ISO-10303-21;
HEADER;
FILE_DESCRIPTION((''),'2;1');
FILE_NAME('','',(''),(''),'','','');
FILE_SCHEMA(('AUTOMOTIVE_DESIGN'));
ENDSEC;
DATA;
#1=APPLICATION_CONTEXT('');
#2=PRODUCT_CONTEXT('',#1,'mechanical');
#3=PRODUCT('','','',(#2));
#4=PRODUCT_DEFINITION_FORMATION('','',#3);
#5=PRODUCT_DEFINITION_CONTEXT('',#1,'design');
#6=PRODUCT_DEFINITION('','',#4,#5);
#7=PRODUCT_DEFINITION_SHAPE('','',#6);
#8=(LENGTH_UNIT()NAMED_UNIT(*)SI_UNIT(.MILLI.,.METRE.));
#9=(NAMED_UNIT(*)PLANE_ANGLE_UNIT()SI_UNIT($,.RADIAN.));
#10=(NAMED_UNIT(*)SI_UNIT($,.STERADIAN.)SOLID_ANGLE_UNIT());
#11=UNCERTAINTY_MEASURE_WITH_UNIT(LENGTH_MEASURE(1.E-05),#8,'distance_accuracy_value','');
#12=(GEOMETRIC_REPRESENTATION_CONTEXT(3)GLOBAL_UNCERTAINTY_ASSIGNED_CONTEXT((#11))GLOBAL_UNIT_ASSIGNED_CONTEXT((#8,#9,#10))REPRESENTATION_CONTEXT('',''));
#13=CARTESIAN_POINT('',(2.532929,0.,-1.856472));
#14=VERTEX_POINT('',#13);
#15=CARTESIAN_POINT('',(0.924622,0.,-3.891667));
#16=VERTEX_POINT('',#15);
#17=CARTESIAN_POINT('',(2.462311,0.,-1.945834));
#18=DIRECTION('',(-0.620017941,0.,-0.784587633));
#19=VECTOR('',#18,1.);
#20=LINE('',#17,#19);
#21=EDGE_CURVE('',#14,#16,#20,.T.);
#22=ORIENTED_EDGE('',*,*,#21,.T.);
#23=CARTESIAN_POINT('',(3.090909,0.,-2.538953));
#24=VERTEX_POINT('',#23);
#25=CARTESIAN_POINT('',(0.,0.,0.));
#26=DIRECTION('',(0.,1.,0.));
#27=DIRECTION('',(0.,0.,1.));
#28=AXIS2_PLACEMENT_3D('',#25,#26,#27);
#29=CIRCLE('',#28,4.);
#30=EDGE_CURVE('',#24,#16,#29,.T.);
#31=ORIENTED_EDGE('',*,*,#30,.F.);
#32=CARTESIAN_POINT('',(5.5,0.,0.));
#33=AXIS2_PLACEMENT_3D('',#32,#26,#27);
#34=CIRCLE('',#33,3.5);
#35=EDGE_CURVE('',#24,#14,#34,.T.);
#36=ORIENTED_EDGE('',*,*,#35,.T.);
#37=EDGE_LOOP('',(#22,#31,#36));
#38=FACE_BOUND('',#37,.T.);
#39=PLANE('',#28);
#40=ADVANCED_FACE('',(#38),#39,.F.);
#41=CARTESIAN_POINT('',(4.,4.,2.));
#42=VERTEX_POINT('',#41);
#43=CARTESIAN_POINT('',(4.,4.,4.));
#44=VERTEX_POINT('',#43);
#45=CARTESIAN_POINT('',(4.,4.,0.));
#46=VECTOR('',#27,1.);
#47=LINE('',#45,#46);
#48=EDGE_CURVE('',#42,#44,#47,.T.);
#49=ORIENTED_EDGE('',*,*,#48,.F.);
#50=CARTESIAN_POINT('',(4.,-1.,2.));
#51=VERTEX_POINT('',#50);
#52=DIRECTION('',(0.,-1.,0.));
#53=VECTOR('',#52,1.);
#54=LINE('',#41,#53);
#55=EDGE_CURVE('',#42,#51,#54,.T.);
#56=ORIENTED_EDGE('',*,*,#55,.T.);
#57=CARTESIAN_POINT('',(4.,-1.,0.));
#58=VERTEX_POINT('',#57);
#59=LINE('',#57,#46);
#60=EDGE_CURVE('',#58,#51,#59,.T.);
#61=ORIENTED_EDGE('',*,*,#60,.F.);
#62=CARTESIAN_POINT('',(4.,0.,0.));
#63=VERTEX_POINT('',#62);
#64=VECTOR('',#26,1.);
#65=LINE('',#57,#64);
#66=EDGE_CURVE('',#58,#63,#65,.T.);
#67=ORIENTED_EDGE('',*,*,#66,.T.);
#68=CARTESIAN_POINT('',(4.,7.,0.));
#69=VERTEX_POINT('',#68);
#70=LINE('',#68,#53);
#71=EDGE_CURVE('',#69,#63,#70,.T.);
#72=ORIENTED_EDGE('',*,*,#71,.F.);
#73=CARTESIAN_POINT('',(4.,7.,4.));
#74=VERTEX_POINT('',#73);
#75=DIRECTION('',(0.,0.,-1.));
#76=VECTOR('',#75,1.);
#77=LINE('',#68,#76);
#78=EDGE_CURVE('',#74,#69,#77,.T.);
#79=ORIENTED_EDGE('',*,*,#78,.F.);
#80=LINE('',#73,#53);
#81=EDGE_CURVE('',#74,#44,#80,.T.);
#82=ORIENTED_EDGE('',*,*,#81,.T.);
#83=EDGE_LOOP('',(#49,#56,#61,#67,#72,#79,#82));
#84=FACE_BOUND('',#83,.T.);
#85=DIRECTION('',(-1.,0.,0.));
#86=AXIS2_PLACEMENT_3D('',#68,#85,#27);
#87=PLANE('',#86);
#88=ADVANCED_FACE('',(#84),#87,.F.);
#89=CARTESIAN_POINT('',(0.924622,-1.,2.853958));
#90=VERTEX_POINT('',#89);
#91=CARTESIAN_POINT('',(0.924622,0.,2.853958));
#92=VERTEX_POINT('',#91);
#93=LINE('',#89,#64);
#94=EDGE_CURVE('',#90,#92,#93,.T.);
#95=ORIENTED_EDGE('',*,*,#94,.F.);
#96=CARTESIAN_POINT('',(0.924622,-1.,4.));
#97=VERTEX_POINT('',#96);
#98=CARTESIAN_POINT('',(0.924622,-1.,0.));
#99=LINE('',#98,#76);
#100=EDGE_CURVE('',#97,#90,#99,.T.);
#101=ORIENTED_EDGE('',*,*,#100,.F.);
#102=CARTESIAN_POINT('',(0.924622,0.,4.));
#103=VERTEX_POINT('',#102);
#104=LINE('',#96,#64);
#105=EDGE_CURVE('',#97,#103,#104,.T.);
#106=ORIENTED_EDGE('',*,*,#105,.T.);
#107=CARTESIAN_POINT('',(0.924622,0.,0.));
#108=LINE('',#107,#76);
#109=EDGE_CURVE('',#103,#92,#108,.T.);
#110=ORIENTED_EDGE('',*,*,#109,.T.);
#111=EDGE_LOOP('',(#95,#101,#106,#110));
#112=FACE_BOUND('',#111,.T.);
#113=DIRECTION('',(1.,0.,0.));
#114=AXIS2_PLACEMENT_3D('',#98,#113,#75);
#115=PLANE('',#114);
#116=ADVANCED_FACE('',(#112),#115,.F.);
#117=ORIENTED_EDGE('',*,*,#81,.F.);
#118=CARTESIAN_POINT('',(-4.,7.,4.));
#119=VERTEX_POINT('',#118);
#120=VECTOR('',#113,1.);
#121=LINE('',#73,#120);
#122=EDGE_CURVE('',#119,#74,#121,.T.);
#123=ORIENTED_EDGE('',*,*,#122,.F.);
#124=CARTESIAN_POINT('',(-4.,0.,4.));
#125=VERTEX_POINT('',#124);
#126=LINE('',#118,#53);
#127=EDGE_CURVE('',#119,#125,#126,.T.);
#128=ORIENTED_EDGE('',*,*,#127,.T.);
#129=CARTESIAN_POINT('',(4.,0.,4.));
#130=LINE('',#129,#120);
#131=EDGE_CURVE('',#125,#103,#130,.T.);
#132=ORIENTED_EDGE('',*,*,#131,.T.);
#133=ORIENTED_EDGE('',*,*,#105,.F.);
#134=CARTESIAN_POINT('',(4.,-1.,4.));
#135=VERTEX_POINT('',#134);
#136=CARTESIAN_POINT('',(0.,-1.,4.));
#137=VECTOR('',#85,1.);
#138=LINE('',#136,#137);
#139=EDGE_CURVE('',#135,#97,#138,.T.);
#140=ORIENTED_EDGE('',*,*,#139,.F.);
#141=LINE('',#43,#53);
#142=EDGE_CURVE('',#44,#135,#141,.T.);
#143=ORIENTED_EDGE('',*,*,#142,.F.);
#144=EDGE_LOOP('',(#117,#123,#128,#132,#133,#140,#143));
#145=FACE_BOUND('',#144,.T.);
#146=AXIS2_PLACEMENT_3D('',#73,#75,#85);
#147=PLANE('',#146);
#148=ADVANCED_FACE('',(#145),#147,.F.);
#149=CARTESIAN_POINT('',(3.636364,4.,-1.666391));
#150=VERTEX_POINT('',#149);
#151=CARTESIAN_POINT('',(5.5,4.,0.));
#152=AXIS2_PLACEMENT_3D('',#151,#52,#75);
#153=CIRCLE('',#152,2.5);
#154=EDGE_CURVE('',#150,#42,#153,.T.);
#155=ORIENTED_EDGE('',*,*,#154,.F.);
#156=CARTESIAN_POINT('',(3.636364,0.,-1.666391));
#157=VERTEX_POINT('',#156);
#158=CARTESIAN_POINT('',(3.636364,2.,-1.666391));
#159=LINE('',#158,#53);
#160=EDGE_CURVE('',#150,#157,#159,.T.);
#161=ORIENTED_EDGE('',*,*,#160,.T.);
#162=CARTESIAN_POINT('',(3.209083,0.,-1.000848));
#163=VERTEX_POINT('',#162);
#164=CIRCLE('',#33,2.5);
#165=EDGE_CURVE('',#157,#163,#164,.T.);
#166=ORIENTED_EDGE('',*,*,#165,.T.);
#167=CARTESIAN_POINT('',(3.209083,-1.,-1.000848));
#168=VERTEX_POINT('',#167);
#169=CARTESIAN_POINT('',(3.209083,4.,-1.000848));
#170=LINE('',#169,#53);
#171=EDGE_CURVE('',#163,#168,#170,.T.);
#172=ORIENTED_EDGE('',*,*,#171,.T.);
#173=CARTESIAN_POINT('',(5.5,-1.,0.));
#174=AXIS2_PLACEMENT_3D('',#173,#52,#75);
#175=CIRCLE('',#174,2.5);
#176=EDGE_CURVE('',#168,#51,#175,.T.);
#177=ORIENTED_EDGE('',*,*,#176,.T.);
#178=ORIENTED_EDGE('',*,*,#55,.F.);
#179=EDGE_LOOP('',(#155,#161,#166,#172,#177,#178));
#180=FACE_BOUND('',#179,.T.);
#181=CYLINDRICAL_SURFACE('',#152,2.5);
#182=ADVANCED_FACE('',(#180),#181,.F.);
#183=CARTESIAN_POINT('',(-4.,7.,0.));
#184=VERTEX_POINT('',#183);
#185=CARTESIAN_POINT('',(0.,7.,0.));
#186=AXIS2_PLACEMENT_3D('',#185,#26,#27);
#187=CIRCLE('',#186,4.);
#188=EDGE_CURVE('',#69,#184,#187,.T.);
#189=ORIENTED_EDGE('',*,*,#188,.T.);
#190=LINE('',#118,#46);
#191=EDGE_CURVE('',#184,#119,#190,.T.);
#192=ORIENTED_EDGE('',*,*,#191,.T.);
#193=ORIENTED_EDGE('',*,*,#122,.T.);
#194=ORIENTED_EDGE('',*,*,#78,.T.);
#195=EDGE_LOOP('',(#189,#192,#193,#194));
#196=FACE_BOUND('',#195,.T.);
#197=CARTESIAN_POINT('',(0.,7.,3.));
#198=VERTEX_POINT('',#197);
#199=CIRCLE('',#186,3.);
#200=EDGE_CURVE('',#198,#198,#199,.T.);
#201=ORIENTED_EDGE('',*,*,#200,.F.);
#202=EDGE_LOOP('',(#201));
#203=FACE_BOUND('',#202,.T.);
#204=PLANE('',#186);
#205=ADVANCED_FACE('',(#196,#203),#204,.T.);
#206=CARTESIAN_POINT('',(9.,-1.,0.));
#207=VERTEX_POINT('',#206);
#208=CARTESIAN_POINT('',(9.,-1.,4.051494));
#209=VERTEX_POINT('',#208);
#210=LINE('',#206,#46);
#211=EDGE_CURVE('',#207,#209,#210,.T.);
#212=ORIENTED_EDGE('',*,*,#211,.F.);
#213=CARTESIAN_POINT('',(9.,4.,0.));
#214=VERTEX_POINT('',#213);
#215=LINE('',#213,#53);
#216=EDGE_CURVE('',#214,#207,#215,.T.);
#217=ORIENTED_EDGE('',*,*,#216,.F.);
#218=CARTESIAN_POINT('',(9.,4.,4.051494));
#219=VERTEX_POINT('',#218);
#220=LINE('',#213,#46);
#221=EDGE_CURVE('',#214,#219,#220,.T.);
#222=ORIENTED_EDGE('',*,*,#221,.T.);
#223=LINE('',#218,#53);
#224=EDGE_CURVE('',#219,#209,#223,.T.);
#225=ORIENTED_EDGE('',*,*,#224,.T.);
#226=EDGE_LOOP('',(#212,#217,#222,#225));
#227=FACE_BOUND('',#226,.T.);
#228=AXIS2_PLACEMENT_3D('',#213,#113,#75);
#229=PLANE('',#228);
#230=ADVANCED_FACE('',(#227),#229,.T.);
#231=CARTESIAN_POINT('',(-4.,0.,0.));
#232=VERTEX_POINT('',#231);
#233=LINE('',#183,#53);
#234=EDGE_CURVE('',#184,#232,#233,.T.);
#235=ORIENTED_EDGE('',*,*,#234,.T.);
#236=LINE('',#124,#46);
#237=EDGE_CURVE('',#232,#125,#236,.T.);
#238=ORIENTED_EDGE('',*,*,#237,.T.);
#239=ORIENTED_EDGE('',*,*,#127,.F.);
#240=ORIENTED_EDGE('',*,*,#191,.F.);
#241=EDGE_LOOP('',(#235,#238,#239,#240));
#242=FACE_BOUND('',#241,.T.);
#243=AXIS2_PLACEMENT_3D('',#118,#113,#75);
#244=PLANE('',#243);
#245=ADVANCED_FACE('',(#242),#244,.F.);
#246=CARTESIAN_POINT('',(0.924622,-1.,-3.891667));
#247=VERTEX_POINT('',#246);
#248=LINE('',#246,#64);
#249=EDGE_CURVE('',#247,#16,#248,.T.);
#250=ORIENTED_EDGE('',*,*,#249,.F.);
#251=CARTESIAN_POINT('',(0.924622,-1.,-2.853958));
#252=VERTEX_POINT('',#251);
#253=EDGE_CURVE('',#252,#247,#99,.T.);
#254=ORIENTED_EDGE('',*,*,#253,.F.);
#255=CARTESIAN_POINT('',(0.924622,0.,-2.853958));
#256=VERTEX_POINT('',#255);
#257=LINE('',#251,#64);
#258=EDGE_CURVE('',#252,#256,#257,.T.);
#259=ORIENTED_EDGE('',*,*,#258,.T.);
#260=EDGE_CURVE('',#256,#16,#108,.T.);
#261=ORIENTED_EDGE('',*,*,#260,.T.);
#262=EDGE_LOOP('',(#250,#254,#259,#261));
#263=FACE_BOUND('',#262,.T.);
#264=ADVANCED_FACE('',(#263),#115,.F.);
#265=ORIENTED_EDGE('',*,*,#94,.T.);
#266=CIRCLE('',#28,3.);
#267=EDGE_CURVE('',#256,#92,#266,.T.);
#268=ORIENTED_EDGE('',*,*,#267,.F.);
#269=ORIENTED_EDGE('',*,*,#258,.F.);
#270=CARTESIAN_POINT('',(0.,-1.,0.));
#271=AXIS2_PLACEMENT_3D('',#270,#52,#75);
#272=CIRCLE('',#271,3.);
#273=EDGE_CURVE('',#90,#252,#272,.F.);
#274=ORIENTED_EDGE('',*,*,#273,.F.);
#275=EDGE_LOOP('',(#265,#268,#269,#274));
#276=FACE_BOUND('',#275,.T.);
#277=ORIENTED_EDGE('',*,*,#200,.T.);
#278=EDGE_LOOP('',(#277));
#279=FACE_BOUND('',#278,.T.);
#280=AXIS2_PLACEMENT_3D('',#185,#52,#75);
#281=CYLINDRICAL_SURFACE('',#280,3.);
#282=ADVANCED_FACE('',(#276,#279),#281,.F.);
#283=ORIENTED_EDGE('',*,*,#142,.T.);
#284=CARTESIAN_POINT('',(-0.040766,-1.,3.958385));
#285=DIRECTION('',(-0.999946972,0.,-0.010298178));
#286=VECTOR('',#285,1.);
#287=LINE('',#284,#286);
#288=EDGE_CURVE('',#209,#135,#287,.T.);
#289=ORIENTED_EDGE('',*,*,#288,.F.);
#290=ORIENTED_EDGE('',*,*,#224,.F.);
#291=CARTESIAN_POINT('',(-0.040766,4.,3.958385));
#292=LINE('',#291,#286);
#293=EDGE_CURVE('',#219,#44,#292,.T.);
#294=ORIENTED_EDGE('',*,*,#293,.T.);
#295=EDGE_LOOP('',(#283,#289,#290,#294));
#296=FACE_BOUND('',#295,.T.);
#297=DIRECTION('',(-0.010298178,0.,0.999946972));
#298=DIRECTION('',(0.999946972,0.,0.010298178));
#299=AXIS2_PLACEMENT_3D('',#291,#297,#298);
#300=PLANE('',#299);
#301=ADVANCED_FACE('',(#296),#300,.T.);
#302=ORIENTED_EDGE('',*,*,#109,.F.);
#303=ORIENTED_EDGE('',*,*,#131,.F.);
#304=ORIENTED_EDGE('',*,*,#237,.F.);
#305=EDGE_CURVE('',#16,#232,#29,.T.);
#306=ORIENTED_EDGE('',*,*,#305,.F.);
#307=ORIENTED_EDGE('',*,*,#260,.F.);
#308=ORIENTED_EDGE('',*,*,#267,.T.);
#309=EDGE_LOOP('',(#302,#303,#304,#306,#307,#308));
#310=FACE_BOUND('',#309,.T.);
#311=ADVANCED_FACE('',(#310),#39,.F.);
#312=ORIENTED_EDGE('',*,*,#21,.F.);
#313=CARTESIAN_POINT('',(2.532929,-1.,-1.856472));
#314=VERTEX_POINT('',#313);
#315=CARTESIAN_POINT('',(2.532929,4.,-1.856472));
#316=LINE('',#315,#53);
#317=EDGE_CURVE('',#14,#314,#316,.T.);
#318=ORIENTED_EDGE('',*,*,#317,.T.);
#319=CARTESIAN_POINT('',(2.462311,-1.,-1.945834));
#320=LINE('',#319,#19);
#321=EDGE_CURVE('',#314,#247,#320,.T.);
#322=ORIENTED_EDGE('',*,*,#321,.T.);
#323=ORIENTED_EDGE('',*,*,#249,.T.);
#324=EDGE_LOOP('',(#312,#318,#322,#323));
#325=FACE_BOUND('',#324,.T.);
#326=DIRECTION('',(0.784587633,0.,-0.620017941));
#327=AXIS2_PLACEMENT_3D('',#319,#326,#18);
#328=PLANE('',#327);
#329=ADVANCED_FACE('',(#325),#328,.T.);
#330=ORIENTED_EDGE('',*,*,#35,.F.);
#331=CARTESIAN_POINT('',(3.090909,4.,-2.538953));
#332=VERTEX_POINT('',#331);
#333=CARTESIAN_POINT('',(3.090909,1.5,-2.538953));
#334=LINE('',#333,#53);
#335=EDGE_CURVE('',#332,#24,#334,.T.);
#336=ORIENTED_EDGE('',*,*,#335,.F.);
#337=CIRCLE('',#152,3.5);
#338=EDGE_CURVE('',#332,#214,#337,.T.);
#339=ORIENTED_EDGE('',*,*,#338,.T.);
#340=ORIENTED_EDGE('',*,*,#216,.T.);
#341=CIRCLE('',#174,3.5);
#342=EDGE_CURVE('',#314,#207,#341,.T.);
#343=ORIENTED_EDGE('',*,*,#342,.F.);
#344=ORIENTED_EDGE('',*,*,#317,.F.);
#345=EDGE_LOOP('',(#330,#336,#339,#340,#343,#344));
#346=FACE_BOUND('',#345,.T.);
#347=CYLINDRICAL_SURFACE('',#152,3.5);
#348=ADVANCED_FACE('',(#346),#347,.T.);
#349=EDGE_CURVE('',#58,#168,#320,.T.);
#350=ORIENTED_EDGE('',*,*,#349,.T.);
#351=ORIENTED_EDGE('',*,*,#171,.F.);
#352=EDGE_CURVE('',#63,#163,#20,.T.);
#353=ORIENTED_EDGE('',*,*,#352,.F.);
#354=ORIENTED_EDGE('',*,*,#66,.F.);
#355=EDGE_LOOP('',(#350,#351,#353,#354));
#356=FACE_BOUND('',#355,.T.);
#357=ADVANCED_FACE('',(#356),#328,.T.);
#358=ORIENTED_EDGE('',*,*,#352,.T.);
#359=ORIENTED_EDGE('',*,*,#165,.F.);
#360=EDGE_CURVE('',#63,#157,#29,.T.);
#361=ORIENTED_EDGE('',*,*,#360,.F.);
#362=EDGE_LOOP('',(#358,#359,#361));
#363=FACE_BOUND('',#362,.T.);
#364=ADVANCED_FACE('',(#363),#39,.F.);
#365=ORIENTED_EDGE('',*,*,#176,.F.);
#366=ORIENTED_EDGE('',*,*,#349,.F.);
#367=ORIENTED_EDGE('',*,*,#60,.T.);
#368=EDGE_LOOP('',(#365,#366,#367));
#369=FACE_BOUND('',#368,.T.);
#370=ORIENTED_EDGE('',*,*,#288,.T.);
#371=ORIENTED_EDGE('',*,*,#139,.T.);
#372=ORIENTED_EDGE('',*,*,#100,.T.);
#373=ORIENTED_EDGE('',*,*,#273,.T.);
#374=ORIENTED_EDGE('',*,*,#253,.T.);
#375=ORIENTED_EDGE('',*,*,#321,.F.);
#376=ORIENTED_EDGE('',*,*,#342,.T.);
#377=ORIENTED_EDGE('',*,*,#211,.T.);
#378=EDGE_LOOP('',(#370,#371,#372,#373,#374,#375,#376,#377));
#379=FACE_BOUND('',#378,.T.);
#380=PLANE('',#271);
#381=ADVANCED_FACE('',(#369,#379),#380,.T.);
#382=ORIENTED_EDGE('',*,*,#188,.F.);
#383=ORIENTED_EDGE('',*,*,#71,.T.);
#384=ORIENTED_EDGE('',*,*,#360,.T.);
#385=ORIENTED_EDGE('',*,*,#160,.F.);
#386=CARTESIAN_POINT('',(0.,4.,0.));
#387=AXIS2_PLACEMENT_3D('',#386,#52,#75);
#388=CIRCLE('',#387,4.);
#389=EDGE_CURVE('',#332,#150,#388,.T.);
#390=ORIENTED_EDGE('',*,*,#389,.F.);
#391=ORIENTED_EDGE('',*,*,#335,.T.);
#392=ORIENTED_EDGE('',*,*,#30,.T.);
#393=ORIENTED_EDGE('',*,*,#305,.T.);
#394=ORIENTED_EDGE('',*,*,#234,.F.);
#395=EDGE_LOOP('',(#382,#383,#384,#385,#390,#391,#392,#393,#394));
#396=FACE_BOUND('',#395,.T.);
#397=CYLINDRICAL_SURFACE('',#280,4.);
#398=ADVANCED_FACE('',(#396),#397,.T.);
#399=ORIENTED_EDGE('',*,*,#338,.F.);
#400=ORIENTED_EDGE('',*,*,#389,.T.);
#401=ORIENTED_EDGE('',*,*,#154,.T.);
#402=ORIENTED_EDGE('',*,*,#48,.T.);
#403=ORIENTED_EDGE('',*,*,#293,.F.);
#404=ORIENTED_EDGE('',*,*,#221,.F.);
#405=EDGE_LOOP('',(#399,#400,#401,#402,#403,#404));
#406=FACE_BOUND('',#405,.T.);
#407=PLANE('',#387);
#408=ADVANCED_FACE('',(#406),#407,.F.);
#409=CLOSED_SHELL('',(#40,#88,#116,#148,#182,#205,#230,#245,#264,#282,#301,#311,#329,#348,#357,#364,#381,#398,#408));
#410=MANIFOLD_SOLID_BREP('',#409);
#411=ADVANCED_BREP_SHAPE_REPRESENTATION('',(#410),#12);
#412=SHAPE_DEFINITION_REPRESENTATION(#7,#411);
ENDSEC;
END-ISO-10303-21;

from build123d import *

# Parameters (mm, degrees)
SKETCH1_R           = 3
BOSS_EXTRUDE1_DEPTH = 7
BOSS_EXTRUDE2_START = 1
BOSS_EXTRUDE2_DEPTH = 1
BOSS_EXTRUDE6_DEPTH = 5


with BuildPart() as part:
    # Sketch1 → Boss-Extrude1 (new body)
    with BuildSketch(Plane(origin=(0, 0, 0), x_dir=(1, 0, 0), z_dir=(0, 1, 0))):
        with BuildLine():
            Line((4, 0), (4, -4))
            Line((4, -4), (-4, -4))
            Line((-4, -4), (-4, 0))
            ThreePointArc((-4, 0), (0, 4), (4, 0))
        make_face()
        with Locations(Location((0, 0, 0), (0, 0, 90))):
            Circle(SKETCH1_R, mode=Mode.SUBTRACT)
    extrude(amount=BOSS_EXTRUDE1_DEPTH)

    # Sketch4 → Boss-Extrude2 (add)
    with BuildSketch(Plane.XZ.offset(BOSS_EXTRUDE2_START)):
        with BuildLine():
            Line((4, 0), (4, 4))
            Line((4, 4), (0.924622027, 4))
            Line((0.924622027, 4), (0.924622027, 2.853957622))
            ThreePointArc((0.924622027, 2.853957622), (2.426300278, 1.764388551), (3, 0))
            ThreePointArc((3, 0), (2.426300278, -1.764388551), (0.924622027, -2.853957622))
            Line((0.924622027, -2.853957622), (0.924622027, -3.891667266))
            Line((0.924622027, -3.891667266), (4, 0))
        make_face()
    extrude(amount=-BOSS_EXTRUDE2_DEPTH)

    # Sketch6 → Boss-Extrude6 (add)
    with BuildSketch(Plane.XZ.offset(1)):
        with BuildLine():
            Line((3.209082629, -1.000848439), (2.532928766, -1.856472001))
            ThreePointArc((2.532928766, -1.856472001), (6.465725292, -3.364130595), (9, 0))
            Line((9, 0), (9, 4.051493621))
            Line((9, 4.051493621), (4, 4))
            Line((4, 4), (4, 2))
            ThreePointArc((4, 2), (6.618033989, 2.236067977), (8, 0))
            ThreePointArc((8, 0), (6.011227235, -2.447171166), (3.209082629, -1.000848439))
        make_face()
    extrude(amount=-BOSS_EXTRUDE6_DEPTH)


solid = part.part
